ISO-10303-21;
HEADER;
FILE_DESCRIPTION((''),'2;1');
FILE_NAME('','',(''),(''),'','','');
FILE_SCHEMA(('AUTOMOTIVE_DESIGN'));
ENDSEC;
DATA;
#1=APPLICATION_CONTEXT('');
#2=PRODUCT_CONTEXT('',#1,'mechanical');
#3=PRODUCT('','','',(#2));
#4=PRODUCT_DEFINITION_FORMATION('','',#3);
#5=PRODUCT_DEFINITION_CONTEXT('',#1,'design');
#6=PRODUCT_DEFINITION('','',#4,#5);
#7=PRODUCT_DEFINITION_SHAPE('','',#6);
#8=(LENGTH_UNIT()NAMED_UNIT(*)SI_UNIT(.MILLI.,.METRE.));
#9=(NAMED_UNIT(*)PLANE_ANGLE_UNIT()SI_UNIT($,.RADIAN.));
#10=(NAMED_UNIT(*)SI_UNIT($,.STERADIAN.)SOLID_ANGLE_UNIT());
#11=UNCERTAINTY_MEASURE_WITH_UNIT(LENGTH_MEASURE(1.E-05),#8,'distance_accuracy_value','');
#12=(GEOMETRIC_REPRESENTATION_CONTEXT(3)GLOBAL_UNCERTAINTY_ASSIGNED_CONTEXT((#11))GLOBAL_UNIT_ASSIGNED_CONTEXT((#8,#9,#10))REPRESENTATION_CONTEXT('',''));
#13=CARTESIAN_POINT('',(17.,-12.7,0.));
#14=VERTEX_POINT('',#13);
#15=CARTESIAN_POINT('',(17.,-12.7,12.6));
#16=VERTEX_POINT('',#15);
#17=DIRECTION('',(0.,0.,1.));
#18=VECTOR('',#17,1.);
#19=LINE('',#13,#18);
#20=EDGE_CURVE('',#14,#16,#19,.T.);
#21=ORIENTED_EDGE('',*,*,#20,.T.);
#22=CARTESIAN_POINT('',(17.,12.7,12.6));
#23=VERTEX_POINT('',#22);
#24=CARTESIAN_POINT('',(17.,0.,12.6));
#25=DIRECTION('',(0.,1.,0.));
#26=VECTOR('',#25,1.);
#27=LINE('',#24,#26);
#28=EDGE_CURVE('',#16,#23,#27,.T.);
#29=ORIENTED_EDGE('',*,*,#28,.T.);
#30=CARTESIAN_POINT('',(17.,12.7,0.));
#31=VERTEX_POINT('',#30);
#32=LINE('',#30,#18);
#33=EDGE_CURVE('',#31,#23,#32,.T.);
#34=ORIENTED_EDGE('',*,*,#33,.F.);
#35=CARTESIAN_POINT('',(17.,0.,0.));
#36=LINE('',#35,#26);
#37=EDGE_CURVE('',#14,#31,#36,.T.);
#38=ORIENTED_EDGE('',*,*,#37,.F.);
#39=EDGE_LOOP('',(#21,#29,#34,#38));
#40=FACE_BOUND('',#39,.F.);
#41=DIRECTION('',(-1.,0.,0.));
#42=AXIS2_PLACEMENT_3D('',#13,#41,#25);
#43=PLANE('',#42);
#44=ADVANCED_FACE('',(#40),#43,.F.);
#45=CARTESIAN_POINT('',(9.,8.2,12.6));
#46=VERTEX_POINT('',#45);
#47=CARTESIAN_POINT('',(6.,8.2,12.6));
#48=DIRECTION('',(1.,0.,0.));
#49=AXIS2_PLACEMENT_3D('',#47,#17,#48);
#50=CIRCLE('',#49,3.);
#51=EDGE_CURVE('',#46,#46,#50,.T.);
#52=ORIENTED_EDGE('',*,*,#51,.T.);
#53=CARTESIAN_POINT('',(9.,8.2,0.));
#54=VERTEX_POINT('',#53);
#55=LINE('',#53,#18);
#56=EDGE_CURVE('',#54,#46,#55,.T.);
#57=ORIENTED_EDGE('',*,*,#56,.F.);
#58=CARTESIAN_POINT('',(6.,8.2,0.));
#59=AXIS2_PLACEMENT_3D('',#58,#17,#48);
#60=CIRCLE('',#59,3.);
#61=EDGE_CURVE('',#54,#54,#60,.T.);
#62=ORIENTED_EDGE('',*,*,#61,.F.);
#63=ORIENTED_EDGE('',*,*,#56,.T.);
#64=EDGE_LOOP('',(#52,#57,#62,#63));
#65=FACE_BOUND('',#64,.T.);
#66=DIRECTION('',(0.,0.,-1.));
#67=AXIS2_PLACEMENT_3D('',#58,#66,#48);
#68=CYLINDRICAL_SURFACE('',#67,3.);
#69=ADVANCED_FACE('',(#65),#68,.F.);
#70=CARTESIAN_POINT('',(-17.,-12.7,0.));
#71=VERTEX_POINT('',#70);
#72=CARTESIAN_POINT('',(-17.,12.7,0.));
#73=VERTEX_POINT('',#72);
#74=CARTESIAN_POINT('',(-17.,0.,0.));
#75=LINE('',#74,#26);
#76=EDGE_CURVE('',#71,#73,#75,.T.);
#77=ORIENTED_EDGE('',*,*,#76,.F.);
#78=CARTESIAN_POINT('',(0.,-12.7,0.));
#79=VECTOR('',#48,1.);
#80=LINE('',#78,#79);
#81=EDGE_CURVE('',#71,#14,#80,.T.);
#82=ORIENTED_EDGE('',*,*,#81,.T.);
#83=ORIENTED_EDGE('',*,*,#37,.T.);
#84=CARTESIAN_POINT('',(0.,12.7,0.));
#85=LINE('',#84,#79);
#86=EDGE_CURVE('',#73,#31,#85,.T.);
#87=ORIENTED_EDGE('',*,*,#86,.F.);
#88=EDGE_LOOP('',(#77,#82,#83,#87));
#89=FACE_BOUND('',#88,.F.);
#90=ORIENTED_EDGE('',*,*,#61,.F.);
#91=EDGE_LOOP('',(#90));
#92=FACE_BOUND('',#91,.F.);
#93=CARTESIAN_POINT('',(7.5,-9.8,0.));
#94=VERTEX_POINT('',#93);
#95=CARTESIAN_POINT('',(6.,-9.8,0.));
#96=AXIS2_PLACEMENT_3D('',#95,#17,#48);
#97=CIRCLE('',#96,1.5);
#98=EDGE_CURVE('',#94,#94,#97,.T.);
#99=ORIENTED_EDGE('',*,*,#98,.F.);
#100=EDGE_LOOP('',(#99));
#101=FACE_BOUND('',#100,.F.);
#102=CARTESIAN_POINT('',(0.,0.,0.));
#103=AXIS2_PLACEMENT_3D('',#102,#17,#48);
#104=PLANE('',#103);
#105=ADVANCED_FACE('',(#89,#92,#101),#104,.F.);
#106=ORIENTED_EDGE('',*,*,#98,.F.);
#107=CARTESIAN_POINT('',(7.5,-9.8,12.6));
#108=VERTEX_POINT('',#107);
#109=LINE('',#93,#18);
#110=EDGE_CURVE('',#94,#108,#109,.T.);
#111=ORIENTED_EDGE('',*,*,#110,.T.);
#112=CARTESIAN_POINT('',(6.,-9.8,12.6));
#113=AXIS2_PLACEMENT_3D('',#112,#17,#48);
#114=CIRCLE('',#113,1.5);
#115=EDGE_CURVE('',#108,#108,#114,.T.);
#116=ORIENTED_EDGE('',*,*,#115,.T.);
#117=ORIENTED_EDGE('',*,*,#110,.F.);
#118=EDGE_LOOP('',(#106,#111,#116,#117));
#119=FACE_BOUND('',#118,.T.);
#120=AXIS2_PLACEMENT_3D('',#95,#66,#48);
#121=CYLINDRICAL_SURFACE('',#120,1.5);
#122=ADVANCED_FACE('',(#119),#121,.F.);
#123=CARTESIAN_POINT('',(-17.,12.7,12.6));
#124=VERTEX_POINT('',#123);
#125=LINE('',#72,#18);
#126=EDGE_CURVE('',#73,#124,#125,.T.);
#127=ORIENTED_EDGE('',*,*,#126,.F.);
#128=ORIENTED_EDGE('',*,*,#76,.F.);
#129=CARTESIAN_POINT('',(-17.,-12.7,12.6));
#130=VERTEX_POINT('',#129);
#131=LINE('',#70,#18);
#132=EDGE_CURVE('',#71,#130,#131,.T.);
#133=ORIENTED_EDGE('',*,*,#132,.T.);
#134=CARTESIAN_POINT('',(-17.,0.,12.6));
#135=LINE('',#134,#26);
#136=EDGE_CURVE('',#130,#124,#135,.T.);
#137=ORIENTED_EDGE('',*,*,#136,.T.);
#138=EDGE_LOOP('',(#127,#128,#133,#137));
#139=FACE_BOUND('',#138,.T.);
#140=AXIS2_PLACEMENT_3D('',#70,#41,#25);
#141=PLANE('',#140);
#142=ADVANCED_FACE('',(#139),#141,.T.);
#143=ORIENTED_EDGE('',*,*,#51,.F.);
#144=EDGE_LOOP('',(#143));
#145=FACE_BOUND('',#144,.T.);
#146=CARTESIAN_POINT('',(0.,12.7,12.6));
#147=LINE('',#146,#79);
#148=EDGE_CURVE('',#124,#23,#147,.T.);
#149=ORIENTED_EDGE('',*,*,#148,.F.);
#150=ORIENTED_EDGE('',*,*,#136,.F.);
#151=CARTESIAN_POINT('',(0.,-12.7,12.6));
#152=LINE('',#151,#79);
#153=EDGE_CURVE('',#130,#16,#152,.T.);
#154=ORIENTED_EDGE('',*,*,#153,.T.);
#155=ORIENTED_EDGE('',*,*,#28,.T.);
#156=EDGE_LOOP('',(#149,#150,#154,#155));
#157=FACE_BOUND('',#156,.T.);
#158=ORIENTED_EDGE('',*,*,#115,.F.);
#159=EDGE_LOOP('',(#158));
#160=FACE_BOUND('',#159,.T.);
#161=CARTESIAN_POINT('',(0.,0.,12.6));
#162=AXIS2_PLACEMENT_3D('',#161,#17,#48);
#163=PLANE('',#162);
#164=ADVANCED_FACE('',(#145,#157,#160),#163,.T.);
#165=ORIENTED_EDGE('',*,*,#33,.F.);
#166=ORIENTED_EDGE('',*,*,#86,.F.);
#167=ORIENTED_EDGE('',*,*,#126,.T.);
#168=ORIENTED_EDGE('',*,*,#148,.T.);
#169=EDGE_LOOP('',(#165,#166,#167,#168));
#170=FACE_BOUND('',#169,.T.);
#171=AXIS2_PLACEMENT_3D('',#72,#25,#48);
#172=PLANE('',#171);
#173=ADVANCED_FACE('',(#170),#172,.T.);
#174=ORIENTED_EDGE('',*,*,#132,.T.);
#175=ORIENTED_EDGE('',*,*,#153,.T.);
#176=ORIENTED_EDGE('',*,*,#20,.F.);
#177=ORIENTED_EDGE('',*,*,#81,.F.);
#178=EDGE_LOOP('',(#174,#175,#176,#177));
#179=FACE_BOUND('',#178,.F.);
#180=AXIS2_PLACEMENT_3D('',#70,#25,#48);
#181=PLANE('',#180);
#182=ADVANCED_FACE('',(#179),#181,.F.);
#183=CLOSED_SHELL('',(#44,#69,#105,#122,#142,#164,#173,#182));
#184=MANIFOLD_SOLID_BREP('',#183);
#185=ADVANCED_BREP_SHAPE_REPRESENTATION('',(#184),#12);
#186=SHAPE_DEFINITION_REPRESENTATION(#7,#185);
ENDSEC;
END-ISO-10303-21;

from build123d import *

# Parameters (mm, degrees)
F0_W     = 34
F0_H     = 25.4
F0_R     = 1.5
F0_R_2   = 3
F1_DEPTH = 12.6


with BuildPart() as f1:
    # F0 (on Top) → F1 (new body)
    with BuildSketch(Plane.XY):
        Rectangle(F0_W, F0_H)
        with Locations((6, -9.8)):
            Circle(F0_R, mode=Mode.SUBTRACT)
        with Locations((6, 8.2)):
            Circle(F0_R_2, mode=Mode.SUBTRACT)
    extrude(amount=F1_DEPTH)


solid = f1.part
